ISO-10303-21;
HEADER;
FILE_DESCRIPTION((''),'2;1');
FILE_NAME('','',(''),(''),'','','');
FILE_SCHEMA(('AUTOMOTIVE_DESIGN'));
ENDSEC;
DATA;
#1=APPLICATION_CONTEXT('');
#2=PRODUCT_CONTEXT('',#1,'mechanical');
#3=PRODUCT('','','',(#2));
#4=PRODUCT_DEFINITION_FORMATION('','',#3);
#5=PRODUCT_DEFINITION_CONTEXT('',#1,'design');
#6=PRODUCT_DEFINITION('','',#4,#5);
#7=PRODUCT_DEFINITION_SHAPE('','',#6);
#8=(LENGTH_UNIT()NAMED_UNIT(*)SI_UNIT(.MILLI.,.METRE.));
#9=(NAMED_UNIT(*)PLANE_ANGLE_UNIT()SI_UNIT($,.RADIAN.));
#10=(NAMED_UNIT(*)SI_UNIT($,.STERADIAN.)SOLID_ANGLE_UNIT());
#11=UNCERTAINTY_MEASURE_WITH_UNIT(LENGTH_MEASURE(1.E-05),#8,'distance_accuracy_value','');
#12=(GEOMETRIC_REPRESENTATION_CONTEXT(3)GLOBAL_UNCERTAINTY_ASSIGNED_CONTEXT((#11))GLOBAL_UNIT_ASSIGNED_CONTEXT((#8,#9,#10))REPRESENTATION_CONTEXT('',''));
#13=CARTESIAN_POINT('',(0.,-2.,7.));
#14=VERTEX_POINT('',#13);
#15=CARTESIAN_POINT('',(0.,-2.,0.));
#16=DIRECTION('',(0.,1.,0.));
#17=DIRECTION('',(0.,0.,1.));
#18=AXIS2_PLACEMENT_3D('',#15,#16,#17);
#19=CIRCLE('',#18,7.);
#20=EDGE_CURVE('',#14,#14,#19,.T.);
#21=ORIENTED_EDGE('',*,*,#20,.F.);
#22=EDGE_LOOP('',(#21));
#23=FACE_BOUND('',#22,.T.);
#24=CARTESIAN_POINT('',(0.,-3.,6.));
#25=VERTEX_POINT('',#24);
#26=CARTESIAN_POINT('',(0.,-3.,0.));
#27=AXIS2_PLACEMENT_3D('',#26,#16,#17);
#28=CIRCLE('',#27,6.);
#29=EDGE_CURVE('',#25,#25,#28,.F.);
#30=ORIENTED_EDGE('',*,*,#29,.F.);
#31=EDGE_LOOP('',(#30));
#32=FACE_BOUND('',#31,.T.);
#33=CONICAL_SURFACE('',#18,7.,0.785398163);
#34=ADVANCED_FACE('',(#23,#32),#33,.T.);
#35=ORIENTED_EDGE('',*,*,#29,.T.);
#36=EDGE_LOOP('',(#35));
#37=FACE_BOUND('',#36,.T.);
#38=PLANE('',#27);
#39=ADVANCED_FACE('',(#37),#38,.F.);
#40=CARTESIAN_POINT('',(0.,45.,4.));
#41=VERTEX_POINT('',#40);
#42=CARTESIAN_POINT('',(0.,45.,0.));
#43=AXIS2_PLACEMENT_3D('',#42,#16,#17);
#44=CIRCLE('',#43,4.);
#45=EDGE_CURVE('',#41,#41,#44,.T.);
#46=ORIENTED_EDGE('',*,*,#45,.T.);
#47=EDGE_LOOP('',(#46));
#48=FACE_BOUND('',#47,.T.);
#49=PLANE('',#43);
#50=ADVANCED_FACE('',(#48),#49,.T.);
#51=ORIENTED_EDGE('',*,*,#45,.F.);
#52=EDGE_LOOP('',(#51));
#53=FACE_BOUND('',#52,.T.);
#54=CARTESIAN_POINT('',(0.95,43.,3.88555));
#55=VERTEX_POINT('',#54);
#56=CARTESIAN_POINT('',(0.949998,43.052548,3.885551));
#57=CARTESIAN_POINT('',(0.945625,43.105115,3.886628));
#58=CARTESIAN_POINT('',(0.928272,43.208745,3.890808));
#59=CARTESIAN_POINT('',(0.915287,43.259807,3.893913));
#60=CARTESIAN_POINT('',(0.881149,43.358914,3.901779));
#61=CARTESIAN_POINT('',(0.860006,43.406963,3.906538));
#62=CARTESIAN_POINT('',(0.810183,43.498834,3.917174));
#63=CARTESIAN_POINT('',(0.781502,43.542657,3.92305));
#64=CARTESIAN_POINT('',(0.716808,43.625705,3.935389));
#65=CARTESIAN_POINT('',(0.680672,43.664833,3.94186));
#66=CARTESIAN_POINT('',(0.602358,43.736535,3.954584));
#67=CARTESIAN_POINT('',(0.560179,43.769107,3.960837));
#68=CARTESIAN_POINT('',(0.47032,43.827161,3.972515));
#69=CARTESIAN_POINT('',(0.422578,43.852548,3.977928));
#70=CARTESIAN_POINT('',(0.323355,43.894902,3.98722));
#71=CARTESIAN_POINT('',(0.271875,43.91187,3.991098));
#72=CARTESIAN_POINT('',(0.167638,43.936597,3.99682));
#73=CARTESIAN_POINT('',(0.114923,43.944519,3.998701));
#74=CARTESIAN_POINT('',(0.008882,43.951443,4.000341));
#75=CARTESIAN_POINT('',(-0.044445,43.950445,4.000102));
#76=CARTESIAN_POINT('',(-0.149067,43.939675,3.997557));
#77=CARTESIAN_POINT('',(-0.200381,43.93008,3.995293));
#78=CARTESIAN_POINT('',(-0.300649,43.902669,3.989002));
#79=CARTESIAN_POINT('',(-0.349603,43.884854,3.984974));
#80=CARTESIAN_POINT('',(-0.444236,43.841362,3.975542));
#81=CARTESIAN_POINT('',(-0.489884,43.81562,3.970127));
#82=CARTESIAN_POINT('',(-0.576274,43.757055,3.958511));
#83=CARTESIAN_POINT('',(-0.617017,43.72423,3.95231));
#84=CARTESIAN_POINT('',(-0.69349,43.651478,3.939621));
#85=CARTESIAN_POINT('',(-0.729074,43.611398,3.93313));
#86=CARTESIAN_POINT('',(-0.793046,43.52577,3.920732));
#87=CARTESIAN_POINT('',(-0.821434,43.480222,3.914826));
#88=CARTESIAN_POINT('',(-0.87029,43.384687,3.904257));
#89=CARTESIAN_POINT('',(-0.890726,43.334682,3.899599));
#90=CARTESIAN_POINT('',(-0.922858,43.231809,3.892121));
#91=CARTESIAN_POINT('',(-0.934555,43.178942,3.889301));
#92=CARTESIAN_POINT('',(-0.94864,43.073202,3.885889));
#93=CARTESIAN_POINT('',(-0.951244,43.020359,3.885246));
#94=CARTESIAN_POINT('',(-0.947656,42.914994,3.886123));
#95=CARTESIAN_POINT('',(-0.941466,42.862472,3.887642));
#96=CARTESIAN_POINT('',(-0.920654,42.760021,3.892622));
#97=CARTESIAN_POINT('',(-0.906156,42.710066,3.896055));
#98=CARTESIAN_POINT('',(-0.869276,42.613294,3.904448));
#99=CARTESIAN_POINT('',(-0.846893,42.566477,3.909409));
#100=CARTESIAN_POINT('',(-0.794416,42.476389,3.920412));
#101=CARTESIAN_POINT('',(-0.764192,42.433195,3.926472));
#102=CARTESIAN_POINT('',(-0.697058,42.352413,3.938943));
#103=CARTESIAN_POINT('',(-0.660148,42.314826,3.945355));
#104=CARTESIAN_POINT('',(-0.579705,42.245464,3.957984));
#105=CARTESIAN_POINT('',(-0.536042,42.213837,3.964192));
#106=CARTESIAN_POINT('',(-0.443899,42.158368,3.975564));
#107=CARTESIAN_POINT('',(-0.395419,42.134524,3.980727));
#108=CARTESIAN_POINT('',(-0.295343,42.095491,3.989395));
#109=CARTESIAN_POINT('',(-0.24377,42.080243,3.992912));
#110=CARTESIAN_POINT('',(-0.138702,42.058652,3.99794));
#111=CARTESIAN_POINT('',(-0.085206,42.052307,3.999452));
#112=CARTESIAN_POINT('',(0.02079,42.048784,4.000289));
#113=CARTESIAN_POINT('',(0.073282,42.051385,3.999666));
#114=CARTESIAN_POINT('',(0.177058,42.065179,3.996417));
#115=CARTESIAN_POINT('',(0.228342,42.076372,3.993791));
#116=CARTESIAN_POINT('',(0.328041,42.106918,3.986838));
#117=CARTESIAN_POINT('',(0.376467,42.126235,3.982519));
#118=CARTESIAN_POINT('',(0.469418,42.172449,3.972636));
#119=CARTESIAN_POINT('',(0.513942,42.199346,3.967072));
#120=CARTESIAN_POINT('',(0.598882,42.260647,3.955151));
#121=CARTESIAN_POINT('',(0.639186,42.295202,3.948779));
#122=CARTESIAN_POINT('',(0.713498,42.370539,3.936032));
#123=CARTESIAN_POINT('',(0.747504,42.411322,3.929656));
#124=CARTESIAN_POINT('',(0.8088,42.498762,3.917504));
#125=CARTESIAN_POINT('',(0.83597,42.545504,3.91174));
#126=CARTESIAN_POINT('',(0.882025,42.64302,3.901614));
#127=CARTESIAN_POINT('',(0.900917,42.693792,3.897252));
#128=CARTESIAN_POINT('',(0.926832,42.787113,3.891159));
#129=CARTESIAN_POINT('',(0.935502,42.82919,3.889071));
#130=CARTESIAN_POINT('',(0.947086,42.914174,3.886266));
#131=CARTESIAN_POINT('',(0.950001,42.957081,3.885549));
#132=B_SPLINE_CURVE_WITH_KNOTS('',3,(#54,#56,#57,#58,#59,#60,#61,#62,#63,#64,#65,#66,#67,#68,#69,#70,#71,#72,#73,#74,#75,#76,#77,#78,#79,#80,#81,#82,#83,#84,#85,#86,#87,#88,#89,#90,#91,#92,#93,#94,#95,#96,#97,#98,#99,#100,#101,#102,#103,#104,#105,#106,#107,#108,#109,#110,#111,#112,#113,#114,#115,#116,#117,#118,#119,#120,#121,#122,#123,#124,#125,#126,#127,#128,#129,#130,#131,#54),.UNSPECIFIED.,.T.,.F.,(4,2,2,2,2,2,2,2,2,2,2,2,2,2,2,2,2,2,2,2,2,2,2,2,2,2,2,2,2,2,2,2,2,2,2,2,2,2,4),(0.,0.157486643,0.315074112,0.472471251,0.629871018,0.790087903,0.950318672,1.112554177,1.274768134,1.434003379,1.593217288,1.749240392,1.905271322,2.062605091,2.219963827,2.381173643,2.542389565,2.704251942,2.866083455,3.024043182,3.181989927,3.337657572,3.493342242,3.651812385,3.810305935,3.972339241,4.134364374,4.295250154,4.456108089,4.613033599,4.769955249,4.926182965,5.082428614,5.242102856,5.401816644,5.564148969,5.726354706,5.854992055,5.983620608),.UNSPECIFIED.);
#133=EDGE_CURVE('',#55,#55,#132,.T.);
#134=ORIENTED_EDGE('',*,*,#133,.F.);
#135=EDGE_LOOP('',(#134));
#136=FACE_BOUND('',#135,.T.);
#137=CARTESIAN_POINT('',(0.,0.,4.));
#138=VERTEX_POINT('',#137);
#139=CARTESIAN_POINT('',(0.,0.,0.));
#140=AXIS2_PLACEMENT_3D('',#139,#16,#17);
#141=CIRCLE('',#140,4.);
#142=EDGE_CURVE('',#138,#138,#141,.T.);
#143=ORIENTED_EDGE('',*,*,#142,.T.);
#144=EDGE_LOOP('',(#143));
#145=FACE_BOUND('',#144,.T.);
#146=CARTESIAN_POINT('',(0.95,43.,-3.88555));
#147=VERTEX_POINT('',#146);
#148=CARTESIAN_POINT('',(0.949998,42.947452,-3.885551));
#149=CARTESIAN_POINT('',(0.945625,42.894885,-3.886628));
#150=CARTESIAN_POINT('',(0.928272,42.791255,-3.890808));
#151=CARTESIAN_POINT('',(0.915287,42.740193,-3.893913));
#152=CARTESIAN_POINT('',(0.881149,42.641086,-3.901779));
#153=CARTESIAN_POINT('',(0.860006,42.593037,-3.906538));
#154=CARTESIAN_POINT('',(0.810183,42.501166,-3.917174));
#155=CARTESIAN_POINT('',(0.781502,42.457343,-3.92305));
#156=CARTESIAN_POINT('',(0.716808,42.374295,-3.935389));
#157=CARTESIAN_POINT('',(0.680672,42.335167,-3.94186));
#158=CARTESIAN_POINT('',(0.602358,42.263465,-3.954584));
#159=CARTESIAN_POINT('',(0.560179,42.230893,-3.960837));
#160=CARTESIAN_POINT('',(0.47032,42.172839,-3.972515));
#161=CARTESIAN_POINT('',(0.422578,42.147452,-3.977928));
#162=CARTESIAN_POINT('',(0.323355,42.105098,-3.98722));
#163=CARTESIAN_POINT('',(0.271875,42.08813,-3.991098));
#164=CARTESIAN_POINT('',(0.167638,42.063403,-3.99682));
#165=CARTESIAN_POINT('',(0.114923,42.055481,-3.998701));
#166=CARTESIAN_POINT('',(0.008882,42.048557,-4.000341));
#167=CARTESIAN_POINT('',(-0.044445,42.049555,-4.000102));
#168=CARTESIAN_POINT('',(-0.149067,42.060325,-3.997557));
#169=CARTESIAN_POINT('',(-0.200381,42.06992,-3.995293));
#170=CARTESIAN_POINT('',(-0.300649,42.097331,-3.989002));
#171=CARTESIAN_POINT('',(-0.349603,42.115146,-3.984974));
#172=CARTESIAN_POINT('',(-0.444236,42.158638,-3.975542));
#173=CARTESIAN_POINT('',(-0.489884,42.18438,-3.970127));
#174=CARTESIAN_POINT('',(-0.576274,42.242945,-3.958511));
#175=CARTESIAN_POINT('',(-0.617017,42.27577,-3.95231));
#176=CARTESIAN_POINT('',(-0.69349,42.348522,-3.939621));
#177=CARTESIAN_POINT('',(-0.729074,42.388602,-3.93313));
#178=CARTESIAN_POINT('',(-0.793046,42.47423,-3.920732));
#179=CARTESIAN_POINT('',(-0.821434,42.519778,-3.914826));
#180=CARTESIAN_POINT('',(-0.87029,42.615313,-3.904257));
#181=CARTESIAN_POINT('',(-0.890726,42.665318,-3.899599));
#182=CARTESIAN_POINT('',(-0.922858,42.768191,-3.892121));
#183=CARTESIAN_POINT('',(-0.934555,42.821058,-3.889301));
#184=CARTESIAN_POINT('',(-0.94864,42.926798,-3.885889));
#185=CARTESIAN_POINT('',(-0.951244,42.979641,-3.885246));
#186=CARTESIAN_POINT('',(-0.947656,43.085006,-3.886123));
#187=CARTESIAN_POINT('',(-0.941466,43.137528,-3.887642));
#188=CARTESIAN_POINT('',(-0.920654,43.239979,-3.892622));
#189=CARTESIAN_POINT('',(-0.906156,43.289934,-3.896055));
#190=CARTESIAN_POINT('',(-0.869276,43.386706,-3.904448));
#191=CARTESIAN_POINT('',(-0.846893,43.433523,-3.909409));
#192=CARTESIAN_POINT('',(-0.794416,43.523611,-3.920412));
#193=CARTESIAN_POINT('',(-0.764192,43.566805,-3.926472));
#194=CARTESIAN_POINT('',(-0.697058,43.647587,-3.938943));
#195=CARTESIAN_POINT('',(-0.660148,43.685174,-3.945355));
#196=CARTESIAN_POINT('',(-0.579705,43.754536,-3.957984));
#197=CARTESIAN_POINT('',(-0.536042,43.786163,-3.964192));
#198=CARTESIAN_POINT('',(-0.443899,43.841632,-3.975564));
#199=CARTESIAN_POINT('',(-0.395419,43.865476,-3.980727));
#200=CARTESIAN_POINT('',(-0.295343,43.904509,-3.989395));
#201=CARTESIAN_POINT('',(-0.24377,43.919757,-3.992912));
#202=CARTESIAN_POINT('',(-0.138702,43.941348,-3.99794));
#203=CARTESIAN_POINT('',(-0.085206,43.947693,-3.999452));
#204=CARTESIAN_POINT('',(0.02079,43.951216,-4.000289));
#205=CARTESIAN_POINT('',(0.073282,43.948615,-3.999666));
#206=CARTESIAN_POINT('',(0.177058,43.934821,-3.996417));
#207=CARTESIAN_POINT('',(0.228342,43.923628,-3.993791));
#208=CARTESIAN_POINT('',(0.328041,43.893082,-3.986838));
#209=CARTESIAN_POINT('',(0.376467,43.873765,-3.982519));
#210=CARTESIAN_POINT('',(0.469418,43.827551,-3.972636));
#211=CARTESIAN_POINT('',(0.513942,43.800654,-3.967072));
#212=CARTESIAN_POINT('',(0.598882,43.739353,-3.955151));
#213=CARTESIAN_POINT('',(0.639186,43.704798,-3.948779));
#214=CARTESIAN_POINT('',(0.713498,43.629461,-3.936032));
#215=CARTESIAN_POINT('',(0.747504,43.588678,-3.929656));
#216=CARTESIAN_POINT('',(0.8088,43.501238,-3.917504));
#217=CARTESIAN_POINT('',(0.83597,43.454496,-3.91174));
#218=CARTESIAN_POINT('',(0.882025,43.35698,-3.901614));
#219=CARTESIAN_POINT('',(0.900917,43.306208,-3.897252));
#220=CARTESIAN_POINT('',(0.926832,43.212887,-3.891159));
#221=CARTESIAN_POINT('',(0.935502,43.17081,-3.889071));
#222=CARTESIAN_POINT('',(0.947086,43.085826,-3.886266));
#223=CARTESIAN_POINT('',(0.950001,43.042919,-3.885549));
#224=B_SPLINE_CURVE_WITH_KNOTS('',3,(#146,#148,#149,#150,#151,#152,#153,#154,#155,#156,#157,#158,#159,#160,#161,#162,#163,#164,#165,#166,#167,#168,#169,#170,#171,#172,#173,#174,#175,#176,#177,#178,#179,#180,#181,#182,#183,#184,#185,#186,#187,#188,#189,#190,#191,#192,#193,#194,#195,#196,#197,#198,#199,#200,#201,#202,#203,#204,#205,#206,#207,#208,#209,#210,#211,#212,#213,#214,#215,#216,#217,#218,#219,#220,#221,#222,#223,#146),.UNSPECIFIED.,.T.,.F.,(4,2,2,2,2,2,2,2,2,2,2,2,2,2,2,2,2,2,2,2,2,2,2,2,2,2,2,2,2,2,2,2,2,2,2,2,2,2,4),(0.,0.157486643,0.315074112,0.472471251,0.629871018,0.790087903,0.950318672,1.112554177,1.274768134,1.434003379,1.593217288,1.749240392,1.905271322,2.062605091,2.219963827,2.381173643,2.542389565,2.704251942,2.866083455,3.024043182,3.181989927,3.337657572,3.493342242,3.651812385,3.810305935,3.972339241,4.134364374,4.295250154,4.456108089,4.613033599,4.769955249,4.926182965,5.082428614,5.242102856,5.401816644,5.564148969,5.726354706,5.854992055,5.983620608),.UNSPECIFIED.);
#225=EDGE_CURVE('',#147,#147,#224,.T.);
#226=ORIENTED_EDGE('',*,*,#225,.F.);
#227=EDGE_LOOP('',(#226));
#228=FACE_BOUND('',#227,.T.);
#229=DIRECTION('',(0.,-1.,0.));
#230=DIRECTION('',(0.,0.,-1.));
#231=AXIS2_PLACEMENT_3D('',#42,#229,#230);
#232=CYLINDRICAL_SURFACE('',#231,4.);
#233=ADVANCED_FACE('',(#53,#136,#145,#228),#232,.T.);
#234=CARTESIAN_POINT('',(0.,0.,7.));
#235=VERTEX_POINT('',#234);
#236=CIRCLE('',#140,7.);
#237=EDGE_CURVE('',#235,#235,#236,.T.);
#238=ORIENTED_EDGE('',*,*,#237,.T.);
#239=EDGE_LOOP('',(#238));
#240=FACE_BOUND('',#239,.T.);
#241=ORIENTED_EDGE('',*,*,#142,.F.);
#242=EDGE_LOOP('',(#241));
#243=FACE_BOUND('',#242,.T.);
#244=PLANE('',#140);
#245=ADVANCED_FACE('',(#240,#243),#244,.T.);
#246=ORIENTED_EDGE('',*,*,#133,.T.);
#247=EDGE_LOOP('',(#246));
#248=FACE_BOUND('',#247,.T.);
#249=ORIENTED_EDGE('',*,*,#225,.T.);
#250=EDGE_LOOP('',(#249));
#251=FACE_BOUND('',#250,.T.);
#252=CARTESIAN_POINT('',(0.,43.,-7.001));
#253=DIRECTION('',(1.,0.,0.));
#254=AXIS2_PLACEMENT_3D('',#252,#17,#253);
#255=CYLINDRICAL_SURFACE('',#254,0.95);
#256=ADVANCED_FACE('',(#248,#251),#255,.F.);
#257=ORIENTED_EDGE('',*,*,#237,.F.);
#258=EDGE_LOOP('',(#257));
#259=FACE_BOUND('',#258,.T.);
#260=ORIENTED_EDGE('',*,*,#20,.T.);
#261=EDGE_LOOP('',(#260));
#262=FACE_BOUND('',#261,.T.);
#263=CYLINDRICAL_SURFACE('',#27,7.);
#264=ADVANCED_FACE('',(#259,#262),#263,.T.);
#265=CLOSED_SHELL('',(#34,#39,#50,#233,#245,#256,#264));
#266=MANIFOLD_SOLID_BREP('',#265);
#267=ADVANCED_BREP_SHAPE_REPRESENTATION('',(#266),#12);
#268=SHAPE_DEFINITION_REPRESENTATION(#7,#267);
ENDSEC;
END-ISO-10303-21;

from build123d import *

# Parameters (mm, degrees)
SKETCH1_R           = 7
BOSS_EXTRUDE1_DEPTH = 3
SKETCH1_3_R         = 4
BOSS_EXTRUDE2_DEPTH = 45
CHAMFER1_SIZE       = 1
CUT_EXTRUDE1_REACH  = 48.851
SKETCH2_R           = 0.95


with BuildPart() as part:
    # Sketch1 → Boss-Extrude1 (new body)
    with BuildSketch(Plane(origin=(0, 0, 0), x_dir=(1, 0, 0), z_dir=(0, 1, 0))):
        Circle(SKETCH1_R)
    extrude(amount=-BOSS_EXTRUDE1_DEPTH)

    # Sketch1<3> → Boss-Extrude2 (add)
    with BuildSketch(Plane(origin=(0, 0, 0), x_dir=(1, 0, 0), z_dir=(0, 1, 0))):
        Circle(SKETCH1_3_R)
    extrude(amount=BOSS_EXTRUDE2_DEPTH)

    # Chamfer1
    chamfer1_edges = [part.edges().sort_by_distance(p)[0] for p in [
        (-7, -3, 0),
    ]]
    chamfer(chamfer1_edges, length=CHAMFER1_SIZE)

    # Sketch2 → Cut-Extrude1 (cut, up to next)
    with BuildSketch(Plane.XY.offset(4), mode=Mode.PRIVATE) as cut_extrude1_sk1:
        with Locations((0, 43)):
            Circle(SKETCH2_R)
    cut_extrude1_tool1 = extrude(cut_extrude1_sk1.sketch, amount=-CUT_EXTRUDE1_REACH, mode=Mode.PRIVATE) & part.part
    add(cut_extrude1_tool1.solids().sort_by_distance((0, 43, 4))[0], mode=Mode.SUBTRACT)


solid = part.part
